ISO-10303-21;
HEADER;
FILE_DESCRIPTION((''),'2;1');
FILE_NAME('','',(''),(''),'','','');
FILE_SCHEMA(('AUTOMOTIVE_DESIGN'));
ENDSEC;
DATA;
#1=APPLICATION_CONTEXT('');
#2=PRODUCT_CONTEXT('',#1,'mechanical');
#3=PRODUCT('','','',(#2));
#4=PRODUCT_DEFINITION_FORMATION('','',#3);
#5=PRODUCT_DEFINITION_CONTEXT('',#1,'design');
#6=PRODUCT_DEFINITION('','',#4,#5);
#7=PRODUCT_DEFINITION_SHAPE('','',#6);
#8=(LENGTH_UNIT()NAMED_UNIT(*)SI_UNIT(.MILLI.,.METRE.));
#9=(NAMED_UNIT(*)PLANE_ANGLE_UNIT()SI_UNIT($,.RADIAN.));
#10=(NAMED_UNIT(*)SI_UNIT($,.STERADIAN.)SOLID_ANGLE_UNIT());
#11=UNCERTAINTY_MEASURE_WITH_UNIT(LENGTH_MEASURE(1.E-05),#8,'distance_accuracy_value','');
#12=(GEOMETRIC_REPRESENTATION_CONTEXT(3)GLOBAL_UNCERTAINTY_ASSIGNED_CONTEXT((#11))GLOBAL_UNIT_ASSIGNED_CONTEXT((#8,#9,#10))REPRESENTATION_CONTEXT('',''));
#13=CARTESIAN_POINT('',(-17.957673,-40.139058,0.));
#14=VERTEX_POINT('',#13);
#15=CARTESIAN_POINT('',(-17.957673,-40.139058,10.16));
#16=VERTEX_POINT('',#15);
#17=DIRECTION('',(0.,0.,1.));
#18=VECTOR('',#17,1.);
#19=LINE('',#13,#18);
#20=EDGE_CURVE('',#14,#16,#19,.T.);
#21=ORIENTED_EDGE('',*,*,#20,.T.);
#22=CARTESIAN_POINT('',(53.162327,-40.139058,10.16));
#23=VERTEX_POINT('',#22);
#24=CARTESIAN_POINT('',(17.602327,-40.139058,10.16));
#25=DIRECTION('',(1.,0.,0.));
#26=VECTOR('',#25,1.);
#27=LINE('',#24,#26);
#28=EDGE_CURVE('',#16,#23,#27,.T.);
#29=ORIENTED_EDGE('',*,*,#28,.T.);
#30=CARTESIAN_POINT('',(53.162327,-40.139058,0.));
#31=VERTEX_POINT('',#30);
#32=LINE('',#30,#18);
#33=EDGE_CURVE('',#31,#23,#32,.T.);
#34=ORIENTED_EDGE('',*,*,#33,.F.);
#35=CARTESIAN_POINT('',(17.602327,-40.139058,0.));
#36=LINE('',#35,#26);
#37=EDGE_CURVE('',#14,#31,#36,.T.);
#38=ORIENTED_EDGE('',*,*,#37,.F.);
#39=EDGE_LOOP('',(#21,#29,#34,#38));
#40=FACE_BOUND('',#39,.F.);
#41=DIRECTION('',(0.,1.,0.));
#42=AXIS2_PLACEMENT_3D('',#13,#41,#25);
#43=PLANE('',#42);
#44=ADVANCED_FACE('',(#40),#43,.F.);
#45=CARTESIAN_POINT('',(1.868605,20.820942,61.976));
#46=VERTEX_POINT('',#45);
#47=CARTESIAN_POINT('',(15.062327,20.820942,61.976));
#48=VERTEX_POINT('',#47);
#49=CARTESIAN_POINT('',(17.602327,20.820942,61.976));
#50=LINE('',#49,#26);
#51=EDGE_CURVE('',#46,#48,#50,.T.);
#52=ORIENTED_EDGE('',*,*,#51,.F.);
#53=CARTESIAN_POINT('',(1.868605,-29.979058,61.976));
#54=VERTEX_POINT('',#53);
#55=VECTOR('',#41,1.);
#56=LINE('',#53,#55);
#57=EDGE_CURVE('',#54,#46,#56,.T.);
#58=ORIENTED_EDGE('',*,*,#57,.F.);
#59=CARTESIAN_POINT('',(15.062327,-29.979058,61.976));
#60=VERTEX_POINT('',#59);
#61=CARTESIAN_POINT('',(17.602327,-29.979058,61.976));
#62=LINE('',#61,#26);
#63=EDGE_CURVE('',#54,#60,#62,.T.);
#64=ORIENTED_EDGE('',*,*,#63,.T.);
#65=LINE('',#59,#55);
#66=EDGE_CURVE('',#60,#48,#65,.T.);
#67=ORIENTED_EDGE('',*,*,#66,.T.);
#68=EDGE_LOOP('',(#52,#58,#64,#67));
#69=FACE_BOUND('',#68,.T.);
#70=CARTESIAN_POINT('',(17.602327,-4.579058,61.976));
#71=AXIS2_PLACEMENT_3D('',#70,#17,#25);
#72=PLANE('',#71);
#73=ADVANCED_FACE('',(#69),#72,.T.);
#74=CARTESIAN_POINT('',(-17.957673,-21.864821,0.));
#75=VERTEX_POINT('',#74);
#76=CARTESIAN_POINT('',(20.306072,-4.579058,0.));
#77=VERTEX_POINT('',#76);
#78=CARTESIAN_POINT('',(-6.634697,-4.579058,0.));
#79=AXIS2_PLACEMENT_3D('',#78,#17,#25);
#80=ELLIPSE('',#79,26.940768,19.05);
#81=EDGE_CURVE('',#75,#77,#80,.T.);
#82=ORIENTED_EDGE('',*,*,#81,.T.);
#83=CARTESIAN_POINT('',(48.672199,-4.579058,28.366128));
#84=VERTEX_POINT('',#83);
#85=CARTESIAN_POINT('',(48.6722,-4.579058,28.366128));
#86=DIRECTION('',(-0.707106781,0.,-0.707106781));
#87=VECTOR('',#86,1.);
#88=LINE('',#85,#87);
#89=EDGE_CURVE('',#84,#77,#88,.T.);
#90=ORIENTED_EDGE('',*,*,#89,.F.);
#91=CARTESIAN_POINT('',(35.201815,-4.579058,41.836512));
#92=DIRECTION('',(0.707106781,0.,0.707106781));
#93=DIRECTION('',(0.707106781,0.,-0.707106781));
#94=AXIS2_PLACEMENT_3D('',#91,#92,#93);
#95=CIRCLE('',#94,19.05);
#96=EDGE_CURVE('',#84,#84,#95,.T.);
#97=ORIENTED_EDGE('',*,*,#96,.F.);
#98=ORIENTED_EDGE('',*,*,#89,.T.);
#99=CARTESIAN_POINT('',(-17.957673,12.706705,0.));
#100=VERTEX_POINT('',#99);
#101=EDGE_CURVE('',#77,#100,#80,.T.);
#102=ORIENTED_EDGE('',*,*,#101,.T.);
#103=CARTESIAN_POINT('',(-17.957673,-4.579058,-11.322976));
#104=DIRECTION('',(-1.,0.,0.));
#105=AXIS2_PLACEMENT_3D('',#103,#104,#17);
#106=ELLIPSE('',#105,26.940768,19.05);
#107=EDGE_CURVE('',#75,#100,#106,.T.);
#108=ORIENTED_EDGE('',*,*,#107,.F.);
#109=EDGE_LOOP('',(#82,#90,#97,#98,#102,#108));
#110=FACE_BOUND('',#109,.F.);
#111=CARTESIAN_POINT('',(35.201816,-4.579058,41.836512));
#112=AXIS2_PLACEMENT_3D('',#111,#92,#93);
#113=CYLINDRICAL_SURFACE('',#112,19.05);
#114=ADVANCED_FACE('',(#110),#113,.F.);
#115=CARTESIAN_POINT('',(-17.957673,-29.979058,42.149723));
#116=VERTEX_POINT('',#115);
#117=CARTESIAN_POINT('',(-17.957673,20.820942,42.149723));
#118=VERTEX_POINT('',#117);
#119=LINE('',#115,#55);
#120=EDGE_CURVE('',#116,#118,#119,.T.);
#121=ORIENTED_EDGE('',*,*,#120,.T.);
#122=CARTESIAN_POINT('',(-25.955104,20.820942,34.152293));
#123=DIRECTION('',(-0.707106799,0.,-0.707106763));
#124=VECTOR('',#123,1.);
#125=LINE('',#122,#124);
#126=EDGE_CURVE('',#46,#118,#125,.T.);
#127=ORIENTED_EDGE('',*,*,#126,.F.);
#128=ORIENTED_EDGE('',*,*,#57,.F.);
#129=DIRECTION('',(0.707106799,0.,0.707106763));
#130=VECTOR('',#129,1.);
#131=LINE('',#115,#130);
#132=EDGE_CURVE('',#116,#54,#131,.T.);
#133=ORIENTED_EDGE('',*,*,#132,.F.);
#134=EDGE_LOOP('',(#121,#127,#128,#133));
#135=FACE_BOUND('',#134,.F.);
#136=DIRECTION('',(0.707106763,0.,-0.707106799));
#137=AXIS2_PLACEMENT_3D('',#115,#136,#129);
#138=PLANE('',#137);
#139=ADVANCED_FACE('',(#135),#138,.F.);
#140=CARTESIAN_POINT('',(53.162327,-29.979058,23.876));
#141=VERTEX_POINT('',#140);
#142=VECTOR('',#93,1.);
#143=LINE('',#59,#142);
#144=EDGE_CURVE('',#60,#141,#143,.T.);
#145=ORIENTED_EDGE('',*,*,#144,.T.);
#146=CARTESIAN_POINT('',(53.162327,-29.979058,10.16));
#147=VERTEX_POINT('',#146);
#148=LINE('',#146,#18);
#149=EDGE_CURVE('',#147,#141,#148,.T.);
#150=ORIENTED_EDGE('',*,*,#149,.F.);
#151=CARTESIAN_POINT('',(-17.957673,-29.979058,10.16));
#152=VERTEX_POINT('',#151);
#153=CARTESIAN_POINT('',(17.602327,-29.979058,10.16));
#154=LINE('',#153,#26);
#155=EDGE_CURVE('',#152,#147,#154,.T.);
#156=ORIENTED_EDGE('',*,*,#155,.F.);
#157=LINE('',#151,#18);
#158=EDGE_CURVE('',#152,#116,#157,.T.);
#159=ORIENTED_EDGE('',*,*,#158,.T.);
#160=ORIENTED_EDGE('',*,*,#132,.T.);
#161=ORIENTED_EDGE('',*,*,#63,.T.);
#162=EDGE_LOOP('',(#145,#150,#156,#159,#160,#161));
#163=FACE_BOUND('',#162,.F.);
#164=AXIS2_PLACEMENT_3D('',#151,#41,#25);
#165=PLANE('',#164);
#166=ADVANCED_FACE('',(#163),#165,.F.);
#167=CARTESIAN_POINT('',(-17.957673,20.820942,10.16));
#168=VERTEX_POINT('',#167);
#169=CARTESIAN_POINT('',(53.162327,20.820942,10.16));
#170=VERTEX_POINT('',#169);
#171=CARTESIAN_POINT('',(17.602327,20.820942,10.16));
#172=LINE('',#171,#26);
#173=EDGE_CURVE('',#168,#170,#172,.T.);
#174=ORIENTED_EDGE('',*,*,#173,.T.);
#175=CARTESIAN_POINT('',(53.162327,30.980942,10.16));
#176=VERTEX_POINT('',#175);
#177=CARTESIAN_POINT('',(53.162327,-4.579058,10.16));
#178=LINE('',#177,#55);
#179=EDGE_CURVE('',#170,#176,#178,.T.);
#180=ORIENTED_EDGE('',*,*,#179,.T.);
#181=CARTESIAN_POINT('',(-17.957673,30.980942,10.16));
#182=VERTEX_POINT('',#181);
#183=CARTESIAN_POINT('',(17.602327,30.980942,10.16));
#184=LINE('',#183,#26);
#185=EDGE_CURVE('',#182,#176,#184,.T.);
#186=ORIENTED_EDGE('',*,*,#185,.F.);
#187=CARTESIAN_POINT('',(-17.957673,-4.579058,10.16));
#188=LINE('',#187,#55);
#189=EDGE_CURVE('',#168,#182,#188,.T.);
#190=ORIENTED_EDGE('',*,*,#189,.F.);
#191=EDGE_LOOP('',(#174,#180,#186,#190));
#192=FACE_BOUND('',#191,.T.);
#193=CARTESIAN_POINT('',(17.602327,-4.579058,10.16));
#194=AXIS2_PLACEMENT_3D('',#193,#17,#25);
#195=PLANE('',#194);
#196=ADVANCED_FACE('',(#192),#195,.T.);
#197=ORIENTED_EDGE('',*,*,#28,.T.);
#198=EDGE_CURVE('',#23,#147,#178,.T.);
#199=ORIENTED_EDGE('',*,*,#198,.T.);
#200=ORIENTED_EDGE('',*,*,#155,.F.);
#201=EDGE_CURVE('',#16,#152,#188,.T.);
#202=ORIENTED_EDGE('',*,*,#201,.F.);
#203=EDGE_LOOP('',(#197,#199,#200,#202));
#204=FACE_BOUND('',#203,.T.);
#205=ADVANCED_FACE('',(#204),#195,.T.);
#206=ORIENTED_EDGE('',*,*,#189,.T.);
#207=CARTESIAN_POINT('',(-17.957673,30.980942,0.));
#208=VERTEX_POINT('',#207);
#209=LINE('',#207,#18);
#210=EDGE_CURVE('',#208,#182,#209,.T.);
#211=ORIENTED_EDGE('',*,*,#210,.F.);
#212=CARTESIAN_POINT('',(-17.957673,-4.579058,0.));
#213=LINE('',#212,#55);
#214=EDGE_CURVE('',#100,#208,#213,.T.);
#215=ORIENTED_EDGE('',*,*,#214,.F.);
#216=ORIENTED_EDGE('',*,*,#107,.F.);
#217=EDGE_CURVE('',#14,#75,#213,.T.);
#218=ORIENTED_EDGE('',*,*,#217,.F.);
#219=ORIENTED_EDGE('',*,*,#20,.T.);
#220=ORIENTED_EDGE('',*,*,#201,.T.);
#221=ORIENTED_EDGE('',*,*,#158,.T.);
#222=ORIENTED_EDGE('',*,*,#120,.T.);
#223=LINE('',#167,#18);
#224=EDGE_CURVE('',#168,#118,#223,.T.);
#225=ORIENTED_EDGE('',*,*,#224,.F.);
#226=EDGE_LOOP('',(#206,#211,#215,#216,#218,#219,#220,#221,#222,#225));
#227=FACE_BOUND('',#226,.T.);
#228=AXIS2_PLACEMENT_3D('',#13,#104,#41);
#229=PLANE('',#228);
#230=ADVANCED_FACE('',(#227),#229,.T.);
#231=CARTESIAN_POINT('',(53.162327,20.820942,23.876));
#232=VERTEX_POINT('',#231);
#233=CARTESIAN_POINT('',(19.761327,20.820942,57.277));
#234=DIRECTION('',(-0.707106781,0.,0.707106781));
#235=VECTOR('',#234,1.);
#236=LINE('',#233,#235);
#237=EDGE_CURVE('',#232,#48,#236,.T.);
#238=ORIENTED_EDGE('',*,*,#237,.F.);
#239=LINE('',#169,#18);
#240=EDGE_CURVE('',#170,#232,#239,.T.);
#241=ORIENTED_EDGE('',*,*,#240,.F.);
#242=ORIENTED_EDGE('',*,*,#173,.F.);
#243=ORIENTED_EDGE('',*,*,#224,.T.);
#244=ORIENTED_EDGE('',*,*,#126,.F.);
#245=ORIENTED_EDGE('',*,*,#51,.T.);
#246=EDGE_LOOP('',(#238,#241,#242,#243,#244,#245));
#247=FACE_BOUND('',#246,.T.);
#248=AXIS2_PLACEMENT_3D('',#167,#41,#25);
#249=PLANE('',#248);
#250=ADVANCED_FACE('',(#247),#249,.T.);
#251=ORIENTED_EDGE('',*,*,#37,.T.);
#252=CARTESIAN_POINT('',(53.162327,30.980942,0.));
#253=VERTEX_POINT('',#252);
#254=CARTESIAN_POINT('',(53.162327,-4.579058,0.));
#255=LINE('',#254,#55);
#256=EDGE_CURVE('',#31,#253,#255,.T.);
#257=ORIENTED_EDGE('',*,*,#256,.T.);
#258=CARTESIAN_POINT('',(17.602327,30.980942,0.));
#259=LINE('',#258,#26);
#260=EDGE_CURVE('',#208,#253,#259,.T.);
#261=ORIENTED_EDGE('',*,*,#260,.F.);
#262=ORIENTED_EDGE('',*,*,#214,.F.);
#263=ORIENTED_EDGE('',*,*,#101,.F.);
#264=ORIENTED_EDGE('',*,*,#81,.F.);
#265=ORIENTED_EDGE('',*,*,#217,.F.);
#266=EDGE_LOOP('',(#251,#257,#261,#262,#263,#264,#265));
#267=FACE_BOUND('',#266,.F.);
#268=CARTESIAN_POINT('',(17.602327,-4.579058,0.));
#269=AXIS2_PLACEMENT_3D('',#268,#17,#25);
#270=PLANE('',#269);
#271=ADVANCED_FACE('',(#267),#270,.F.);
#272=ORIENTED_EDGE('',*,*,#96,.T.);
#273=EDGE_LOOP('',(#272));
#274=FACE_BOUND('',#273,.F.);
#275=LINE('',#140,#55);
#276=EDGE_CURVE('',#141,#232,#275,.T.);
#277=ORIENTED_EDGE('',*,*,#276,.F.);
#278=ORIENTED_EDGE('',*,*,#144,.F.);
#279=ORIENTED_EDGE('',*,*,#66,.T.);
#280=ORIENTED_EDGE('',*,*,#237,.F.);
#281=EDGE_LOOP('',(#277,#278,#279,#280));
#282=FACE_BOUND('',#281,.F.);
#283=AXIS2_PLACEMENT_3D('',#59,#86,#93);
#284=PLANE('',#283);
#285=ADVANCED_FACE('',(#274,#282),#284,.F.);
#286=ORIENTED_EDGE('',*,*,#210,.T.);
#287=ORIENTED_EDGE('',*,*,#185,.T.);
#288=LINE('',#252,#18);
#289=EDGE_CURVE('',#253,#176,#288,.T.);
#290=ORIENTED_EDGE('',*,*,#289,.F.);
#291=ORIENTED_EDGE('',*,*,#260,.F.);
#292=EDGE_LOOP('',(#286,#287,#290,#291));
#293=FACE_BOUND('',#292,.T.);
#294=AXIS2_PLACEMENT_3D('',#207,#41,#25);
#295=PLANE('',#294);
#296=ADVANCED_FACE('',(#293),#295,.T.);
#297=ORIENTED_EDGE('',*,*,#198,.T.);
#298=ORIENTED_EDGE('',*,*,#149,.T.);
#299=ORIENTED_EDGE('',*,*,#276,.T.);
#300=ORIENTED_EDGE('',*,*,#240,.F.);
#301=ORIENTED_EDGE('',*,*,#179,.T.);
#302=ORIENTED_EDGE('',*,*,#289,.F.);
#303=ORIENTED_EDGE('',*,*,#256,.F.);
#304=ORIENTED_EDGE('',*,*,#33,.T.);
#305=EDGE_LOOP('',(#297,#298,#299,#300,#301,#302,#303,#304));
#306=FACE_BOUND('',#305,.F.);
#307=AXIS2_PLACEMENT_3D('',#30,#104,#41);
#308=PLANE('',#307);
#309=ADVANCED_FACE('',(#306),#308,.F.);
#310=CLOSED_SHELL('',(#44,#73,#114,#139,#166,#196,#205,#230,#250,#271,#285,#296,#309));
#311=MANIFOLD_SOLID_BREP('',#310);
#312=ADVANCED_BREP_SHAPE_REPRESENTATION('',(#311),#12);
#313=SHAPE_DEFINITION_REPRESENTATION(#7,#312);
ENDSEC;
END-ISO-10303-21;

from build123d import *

# Parameters (mm, degrees)
F0_W     = 71.12
F0_H     = 71.12
F1_DEPTH = 10.16
F2_W     = 71.12
F2_H     = 50.8
F3_DEPTH = 51.816
F5_DEPTH = 71.12
F7_DEPTH = 71.12
F8_R     = 19.05
F9_DEPTH = 101.6


with BuildPart() as f1:
    # F0 (on Top) → F1 (new body)
    with BuildSketch(Plane.XY):
        with Locations((17.602327, -4.579058)):
            Rectangle(F0_W, F0_H)
    extrude(amount=F1_DEPTH)

    # F2 (on face) → F3 (join)
    with BuildSketch(Plane.XY.offset(10.16)):
        with Locations((17.602327, -4.579058)):
            Rectangle(F2_W, F2_H)
    extrude(amount=F3_DEPTH)

    # F4 (on face) → F5 (cut)
    with BuildSketch(Plane.XZ.offset(29.979058)):
        Polygon((-17.957673, 61.976), (-17.957673, 42.149723), (1.868605, 61.976), align=None)
    extrude(amount=-F5_DEPTH, mode=Mode.SUBTRACT)

    # F6 (on face) → F7 (cut)
    with BuildSketch(Plane.XZ.offset(29.979058)):
        Polygon((15.062327, 61.976), (53.162327, 23.876), (53.162327, 61.976), align=None)
    extrude(amount=-F7_DEPTH, mode=Mode.SUBTRACT)

    # F8 (on face) → F9 (cut)
    with BuildSketch(Plane(origin=(38.519164, 0, 38.519164), x_dir=(0.707107, 0, -0.707107), z_dir=(0.707107, 0, 0.707107))):
        with Locations((-4.691439, -4.579058)):
            Circle(F8_R)
    extrude(amount=-F9_DEPTH, mode=Mode.SUBTRACT)


solid = f1.part
